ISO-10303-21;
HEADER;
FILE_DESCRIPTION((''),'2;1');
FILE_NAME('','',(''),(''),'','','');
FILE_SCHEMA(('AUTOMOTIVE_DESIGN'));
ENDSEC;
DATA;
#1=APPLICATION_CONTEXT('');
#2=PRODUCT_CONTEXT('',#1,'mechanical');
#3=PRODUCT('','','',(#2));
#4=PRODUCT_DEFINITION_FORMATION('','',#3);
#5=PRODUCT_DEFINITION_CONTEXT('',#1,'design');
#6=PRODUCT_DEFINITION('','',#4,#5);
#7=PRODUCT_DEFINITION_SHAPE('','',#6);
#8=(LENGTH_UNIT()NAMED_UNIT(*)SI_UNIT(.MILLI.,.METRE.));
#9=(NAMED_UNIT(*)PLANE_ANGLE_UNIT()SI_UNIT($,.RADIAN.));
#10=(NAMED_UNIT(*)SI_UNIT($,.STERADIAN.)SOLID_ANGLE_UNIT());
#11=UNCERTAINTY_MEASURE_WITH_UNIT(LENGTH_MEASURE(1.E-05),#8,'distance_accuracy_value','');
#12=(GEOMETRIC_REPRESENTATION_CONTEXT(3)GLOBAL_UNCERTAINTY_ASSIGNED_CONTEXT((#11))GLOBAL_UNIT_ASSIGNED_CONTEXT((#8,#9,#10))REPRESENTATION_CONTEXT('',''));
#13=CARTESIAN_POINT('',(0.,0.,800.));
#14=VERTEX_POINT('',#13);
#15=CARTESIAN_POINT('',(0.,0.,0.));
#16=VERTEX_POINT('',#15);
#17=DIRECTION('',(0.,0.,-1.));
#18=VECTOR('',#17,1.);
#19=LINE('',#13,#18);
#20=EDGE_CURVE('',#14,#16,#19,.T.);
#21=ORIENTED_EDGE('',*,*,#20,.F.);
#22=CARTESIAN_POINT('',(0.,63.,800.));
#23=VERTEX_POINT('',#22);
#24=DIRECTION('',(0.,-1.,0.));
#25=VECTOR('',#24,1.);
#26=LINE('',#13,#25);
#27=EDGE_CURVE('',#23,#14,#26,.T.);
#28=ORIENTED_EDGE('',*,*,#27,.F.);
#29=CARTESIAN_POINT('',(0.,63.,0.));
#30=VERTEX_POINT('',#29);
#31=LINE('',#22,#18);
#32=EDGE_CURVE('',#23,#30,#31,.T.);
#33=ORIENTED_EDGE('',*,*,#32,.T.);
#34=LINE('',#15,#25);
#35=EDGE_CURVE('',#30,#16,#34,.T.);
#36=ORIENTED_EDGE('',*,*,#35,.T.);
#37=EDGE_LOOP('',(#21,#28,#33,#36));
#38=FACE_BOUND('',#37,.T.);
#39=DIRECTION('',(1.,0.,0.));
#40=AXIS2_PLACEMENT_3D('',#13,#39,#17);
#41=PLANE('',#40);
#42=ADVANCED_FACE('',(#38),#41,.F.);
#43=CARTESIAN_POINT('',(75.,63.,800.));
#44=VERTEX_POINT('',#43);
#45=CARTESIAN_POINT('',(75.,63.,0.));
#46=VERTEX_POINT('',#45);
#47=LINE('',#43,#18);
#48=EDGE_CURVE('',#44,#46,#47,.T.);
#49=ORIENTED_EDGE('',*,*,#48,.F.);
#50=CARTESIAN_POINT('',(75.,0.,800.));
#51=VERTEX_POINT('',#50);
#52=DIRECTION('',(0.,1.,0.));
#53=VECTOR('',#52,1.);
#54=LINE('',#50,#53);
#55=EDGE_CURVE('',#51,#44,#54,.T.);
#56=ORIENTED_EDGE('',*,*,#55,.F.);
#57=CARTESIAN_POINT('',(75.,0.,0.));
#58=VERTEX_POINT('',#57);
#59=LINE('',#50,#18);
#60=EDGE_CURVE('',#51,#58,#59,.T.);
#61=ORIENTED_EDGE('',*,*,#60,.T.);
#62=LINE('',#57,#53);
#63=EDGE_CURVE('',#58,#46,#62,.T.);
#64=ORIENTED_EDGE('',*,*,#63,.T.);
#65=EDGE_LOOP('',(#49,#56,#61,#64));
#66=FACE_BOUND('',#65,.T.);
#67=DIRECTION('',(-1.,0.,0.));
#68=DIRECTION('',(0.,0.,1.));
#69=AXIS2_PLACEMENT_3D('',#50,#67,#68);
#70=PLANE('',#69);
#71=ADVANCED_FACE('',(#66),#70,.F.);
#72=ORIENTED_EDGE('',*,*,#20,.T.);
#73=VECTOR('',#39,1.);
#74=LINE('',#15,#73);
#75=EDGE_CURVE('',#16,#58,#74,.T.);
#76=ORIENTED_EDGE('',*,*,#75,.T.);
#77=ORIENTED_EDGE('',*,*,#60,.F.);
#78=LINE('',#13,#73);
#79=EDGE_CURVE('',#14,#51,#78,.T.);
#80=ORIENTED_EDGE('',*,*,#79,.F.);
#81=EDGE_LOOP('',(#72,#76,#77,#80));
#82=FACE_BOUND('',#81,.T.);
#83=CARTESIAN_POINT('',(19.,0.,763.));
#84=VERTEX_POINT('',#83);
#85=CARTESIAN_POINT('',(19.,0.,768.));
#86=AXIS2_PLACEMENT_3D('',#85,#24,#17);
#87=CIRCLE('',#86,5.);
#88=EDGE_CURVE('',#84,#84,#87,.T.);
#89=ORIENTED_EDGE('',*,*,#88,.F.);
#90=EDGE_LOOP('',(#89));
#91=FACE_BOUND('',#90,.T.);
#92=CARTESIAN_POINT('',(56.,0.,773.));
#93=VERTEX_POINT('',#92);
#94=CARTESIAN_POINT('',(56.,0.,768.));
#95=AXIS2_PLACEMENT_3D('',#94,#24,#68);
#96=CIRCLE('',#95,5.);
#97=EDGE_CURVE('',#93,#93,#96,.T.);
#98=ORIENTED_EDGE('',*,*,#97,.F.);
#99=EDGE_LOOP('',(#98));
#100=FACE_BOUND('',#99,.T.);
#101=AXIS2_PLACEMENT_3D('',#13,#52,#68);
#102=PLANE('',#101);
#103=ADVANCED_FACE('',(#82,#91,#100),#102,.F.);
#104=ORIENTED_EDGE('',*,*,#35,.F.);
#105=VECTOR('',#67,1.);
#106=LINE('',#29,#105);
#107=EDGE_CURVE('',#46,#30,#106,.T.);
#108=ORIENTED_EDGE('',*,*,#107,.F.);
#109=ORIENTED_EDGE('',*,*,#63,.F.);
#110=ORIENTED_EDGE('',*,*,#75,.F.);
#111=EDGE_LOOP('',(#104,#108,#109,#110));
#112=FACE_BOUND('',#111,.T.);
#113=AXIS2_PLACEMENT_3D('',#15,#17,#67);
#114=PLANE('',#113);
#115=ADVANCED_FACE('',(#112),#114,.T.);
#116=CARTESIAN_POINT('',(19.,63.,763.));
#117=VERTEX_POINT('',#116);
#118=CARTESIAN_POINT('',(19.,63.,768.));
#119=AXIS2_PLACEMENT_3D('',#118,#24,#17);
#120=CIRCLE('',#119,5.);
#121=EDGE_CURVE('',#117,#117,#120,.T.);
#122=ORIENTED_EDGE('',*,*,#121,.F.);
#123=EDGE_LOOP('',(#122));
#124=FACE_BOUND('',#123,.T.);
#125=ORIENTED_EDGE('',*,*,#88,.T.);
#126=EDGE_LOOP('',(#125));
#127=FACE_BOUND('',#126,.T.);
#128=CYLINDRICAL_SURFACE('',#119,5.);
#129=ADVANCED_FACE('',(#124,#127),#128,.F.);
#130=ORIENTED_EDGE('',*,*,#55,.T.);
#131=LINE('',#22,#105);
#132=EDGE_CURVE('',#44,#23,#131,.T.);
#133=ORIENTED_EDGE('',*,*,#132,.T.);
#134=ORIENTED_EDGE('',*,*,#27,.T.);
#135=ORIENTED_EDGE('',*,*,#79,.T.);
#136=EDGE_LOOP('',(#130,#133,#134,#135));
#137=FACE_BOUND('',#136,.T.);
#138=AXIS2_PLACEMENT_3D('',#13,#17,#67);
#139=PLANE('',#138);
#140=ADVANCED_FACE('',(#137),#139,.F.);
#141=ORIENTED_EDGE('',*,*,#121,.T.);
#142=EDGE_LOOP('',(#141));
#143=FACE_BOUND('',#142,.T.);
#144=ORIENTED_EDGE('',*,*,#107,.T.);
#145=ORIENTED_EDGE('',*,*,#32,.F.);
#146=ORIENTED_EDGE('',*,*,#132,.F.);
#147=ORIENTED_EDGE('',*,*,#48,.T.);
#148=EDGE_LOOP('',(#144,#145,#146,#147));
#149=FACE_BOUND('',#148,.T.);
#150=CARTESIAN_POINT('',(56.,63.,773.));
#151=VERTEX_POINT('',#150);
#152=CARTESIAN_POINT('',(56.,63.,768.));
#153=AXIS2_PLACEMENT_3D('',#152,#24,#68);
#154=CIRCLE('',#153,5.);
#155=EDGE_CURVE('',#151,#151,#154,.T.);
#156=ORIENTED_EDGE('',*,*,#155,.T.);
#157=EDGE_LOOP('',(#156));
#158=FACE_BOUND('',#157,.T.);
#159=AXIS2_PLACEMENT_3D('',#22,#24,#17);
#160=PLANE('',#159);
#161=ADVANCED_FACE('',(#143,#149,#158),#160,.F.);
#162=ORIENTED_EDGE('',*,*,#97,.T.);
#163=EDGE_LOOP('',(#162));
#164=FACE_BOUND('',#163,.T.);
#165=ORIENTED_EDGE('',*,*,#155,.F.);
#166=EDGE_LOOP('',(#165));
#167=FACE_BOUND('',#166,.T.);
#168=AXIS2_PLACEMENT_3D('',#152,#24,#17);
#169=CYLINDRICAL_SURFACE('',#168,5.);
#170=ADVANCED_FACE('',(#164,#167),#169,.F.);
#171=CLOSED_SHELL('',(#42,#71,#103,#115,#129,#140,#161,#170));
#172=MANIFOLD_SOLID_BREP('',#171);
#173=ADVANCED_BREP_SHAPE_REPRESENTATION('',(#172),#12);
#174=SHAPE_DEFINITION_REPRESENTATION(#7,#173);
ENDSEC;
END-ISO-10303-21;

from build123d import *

# Parameters (mm, degrees)
ESQUISSE1_W             = 75
ESQUISSE1_H             = 63
BOSS_EXTRU_1_DEPTH      = 800
ESQUISSE2_R             = 5
ENL_V_MAT_EXTRU_1_DEPTH = 806.973944988


with BuildPart() as part:
    # Esquisse1 → Boss.-Extru.1 (new body)
    with BuildSketch(Plane.XY):
        with Locations((37.5, 31.5)):
            Rectangle(ESQUISSE1_W, ESQUISSE1_H)
    extrude(amount=BOSS_EXTRU_1_DEPTH)

    # Esquisse2 → Enlèv. mat.-Extru.1 (cut, through all)
    with BuildSketch(Plane.XZ):
        with Locations(Location((19, 768, 0), (0, 0, 270))):
            Circle(ESQUISSE2_R)
        with Locations(Location((56, 768, 0), (0, 0, 90))):
            Circle(ESQUISSE2_R)
    extrude(amount=-ENL_V_MAT_EXTRU_1_DEPTH, mode=Mode.SUBTRACT)


solid = part.part
